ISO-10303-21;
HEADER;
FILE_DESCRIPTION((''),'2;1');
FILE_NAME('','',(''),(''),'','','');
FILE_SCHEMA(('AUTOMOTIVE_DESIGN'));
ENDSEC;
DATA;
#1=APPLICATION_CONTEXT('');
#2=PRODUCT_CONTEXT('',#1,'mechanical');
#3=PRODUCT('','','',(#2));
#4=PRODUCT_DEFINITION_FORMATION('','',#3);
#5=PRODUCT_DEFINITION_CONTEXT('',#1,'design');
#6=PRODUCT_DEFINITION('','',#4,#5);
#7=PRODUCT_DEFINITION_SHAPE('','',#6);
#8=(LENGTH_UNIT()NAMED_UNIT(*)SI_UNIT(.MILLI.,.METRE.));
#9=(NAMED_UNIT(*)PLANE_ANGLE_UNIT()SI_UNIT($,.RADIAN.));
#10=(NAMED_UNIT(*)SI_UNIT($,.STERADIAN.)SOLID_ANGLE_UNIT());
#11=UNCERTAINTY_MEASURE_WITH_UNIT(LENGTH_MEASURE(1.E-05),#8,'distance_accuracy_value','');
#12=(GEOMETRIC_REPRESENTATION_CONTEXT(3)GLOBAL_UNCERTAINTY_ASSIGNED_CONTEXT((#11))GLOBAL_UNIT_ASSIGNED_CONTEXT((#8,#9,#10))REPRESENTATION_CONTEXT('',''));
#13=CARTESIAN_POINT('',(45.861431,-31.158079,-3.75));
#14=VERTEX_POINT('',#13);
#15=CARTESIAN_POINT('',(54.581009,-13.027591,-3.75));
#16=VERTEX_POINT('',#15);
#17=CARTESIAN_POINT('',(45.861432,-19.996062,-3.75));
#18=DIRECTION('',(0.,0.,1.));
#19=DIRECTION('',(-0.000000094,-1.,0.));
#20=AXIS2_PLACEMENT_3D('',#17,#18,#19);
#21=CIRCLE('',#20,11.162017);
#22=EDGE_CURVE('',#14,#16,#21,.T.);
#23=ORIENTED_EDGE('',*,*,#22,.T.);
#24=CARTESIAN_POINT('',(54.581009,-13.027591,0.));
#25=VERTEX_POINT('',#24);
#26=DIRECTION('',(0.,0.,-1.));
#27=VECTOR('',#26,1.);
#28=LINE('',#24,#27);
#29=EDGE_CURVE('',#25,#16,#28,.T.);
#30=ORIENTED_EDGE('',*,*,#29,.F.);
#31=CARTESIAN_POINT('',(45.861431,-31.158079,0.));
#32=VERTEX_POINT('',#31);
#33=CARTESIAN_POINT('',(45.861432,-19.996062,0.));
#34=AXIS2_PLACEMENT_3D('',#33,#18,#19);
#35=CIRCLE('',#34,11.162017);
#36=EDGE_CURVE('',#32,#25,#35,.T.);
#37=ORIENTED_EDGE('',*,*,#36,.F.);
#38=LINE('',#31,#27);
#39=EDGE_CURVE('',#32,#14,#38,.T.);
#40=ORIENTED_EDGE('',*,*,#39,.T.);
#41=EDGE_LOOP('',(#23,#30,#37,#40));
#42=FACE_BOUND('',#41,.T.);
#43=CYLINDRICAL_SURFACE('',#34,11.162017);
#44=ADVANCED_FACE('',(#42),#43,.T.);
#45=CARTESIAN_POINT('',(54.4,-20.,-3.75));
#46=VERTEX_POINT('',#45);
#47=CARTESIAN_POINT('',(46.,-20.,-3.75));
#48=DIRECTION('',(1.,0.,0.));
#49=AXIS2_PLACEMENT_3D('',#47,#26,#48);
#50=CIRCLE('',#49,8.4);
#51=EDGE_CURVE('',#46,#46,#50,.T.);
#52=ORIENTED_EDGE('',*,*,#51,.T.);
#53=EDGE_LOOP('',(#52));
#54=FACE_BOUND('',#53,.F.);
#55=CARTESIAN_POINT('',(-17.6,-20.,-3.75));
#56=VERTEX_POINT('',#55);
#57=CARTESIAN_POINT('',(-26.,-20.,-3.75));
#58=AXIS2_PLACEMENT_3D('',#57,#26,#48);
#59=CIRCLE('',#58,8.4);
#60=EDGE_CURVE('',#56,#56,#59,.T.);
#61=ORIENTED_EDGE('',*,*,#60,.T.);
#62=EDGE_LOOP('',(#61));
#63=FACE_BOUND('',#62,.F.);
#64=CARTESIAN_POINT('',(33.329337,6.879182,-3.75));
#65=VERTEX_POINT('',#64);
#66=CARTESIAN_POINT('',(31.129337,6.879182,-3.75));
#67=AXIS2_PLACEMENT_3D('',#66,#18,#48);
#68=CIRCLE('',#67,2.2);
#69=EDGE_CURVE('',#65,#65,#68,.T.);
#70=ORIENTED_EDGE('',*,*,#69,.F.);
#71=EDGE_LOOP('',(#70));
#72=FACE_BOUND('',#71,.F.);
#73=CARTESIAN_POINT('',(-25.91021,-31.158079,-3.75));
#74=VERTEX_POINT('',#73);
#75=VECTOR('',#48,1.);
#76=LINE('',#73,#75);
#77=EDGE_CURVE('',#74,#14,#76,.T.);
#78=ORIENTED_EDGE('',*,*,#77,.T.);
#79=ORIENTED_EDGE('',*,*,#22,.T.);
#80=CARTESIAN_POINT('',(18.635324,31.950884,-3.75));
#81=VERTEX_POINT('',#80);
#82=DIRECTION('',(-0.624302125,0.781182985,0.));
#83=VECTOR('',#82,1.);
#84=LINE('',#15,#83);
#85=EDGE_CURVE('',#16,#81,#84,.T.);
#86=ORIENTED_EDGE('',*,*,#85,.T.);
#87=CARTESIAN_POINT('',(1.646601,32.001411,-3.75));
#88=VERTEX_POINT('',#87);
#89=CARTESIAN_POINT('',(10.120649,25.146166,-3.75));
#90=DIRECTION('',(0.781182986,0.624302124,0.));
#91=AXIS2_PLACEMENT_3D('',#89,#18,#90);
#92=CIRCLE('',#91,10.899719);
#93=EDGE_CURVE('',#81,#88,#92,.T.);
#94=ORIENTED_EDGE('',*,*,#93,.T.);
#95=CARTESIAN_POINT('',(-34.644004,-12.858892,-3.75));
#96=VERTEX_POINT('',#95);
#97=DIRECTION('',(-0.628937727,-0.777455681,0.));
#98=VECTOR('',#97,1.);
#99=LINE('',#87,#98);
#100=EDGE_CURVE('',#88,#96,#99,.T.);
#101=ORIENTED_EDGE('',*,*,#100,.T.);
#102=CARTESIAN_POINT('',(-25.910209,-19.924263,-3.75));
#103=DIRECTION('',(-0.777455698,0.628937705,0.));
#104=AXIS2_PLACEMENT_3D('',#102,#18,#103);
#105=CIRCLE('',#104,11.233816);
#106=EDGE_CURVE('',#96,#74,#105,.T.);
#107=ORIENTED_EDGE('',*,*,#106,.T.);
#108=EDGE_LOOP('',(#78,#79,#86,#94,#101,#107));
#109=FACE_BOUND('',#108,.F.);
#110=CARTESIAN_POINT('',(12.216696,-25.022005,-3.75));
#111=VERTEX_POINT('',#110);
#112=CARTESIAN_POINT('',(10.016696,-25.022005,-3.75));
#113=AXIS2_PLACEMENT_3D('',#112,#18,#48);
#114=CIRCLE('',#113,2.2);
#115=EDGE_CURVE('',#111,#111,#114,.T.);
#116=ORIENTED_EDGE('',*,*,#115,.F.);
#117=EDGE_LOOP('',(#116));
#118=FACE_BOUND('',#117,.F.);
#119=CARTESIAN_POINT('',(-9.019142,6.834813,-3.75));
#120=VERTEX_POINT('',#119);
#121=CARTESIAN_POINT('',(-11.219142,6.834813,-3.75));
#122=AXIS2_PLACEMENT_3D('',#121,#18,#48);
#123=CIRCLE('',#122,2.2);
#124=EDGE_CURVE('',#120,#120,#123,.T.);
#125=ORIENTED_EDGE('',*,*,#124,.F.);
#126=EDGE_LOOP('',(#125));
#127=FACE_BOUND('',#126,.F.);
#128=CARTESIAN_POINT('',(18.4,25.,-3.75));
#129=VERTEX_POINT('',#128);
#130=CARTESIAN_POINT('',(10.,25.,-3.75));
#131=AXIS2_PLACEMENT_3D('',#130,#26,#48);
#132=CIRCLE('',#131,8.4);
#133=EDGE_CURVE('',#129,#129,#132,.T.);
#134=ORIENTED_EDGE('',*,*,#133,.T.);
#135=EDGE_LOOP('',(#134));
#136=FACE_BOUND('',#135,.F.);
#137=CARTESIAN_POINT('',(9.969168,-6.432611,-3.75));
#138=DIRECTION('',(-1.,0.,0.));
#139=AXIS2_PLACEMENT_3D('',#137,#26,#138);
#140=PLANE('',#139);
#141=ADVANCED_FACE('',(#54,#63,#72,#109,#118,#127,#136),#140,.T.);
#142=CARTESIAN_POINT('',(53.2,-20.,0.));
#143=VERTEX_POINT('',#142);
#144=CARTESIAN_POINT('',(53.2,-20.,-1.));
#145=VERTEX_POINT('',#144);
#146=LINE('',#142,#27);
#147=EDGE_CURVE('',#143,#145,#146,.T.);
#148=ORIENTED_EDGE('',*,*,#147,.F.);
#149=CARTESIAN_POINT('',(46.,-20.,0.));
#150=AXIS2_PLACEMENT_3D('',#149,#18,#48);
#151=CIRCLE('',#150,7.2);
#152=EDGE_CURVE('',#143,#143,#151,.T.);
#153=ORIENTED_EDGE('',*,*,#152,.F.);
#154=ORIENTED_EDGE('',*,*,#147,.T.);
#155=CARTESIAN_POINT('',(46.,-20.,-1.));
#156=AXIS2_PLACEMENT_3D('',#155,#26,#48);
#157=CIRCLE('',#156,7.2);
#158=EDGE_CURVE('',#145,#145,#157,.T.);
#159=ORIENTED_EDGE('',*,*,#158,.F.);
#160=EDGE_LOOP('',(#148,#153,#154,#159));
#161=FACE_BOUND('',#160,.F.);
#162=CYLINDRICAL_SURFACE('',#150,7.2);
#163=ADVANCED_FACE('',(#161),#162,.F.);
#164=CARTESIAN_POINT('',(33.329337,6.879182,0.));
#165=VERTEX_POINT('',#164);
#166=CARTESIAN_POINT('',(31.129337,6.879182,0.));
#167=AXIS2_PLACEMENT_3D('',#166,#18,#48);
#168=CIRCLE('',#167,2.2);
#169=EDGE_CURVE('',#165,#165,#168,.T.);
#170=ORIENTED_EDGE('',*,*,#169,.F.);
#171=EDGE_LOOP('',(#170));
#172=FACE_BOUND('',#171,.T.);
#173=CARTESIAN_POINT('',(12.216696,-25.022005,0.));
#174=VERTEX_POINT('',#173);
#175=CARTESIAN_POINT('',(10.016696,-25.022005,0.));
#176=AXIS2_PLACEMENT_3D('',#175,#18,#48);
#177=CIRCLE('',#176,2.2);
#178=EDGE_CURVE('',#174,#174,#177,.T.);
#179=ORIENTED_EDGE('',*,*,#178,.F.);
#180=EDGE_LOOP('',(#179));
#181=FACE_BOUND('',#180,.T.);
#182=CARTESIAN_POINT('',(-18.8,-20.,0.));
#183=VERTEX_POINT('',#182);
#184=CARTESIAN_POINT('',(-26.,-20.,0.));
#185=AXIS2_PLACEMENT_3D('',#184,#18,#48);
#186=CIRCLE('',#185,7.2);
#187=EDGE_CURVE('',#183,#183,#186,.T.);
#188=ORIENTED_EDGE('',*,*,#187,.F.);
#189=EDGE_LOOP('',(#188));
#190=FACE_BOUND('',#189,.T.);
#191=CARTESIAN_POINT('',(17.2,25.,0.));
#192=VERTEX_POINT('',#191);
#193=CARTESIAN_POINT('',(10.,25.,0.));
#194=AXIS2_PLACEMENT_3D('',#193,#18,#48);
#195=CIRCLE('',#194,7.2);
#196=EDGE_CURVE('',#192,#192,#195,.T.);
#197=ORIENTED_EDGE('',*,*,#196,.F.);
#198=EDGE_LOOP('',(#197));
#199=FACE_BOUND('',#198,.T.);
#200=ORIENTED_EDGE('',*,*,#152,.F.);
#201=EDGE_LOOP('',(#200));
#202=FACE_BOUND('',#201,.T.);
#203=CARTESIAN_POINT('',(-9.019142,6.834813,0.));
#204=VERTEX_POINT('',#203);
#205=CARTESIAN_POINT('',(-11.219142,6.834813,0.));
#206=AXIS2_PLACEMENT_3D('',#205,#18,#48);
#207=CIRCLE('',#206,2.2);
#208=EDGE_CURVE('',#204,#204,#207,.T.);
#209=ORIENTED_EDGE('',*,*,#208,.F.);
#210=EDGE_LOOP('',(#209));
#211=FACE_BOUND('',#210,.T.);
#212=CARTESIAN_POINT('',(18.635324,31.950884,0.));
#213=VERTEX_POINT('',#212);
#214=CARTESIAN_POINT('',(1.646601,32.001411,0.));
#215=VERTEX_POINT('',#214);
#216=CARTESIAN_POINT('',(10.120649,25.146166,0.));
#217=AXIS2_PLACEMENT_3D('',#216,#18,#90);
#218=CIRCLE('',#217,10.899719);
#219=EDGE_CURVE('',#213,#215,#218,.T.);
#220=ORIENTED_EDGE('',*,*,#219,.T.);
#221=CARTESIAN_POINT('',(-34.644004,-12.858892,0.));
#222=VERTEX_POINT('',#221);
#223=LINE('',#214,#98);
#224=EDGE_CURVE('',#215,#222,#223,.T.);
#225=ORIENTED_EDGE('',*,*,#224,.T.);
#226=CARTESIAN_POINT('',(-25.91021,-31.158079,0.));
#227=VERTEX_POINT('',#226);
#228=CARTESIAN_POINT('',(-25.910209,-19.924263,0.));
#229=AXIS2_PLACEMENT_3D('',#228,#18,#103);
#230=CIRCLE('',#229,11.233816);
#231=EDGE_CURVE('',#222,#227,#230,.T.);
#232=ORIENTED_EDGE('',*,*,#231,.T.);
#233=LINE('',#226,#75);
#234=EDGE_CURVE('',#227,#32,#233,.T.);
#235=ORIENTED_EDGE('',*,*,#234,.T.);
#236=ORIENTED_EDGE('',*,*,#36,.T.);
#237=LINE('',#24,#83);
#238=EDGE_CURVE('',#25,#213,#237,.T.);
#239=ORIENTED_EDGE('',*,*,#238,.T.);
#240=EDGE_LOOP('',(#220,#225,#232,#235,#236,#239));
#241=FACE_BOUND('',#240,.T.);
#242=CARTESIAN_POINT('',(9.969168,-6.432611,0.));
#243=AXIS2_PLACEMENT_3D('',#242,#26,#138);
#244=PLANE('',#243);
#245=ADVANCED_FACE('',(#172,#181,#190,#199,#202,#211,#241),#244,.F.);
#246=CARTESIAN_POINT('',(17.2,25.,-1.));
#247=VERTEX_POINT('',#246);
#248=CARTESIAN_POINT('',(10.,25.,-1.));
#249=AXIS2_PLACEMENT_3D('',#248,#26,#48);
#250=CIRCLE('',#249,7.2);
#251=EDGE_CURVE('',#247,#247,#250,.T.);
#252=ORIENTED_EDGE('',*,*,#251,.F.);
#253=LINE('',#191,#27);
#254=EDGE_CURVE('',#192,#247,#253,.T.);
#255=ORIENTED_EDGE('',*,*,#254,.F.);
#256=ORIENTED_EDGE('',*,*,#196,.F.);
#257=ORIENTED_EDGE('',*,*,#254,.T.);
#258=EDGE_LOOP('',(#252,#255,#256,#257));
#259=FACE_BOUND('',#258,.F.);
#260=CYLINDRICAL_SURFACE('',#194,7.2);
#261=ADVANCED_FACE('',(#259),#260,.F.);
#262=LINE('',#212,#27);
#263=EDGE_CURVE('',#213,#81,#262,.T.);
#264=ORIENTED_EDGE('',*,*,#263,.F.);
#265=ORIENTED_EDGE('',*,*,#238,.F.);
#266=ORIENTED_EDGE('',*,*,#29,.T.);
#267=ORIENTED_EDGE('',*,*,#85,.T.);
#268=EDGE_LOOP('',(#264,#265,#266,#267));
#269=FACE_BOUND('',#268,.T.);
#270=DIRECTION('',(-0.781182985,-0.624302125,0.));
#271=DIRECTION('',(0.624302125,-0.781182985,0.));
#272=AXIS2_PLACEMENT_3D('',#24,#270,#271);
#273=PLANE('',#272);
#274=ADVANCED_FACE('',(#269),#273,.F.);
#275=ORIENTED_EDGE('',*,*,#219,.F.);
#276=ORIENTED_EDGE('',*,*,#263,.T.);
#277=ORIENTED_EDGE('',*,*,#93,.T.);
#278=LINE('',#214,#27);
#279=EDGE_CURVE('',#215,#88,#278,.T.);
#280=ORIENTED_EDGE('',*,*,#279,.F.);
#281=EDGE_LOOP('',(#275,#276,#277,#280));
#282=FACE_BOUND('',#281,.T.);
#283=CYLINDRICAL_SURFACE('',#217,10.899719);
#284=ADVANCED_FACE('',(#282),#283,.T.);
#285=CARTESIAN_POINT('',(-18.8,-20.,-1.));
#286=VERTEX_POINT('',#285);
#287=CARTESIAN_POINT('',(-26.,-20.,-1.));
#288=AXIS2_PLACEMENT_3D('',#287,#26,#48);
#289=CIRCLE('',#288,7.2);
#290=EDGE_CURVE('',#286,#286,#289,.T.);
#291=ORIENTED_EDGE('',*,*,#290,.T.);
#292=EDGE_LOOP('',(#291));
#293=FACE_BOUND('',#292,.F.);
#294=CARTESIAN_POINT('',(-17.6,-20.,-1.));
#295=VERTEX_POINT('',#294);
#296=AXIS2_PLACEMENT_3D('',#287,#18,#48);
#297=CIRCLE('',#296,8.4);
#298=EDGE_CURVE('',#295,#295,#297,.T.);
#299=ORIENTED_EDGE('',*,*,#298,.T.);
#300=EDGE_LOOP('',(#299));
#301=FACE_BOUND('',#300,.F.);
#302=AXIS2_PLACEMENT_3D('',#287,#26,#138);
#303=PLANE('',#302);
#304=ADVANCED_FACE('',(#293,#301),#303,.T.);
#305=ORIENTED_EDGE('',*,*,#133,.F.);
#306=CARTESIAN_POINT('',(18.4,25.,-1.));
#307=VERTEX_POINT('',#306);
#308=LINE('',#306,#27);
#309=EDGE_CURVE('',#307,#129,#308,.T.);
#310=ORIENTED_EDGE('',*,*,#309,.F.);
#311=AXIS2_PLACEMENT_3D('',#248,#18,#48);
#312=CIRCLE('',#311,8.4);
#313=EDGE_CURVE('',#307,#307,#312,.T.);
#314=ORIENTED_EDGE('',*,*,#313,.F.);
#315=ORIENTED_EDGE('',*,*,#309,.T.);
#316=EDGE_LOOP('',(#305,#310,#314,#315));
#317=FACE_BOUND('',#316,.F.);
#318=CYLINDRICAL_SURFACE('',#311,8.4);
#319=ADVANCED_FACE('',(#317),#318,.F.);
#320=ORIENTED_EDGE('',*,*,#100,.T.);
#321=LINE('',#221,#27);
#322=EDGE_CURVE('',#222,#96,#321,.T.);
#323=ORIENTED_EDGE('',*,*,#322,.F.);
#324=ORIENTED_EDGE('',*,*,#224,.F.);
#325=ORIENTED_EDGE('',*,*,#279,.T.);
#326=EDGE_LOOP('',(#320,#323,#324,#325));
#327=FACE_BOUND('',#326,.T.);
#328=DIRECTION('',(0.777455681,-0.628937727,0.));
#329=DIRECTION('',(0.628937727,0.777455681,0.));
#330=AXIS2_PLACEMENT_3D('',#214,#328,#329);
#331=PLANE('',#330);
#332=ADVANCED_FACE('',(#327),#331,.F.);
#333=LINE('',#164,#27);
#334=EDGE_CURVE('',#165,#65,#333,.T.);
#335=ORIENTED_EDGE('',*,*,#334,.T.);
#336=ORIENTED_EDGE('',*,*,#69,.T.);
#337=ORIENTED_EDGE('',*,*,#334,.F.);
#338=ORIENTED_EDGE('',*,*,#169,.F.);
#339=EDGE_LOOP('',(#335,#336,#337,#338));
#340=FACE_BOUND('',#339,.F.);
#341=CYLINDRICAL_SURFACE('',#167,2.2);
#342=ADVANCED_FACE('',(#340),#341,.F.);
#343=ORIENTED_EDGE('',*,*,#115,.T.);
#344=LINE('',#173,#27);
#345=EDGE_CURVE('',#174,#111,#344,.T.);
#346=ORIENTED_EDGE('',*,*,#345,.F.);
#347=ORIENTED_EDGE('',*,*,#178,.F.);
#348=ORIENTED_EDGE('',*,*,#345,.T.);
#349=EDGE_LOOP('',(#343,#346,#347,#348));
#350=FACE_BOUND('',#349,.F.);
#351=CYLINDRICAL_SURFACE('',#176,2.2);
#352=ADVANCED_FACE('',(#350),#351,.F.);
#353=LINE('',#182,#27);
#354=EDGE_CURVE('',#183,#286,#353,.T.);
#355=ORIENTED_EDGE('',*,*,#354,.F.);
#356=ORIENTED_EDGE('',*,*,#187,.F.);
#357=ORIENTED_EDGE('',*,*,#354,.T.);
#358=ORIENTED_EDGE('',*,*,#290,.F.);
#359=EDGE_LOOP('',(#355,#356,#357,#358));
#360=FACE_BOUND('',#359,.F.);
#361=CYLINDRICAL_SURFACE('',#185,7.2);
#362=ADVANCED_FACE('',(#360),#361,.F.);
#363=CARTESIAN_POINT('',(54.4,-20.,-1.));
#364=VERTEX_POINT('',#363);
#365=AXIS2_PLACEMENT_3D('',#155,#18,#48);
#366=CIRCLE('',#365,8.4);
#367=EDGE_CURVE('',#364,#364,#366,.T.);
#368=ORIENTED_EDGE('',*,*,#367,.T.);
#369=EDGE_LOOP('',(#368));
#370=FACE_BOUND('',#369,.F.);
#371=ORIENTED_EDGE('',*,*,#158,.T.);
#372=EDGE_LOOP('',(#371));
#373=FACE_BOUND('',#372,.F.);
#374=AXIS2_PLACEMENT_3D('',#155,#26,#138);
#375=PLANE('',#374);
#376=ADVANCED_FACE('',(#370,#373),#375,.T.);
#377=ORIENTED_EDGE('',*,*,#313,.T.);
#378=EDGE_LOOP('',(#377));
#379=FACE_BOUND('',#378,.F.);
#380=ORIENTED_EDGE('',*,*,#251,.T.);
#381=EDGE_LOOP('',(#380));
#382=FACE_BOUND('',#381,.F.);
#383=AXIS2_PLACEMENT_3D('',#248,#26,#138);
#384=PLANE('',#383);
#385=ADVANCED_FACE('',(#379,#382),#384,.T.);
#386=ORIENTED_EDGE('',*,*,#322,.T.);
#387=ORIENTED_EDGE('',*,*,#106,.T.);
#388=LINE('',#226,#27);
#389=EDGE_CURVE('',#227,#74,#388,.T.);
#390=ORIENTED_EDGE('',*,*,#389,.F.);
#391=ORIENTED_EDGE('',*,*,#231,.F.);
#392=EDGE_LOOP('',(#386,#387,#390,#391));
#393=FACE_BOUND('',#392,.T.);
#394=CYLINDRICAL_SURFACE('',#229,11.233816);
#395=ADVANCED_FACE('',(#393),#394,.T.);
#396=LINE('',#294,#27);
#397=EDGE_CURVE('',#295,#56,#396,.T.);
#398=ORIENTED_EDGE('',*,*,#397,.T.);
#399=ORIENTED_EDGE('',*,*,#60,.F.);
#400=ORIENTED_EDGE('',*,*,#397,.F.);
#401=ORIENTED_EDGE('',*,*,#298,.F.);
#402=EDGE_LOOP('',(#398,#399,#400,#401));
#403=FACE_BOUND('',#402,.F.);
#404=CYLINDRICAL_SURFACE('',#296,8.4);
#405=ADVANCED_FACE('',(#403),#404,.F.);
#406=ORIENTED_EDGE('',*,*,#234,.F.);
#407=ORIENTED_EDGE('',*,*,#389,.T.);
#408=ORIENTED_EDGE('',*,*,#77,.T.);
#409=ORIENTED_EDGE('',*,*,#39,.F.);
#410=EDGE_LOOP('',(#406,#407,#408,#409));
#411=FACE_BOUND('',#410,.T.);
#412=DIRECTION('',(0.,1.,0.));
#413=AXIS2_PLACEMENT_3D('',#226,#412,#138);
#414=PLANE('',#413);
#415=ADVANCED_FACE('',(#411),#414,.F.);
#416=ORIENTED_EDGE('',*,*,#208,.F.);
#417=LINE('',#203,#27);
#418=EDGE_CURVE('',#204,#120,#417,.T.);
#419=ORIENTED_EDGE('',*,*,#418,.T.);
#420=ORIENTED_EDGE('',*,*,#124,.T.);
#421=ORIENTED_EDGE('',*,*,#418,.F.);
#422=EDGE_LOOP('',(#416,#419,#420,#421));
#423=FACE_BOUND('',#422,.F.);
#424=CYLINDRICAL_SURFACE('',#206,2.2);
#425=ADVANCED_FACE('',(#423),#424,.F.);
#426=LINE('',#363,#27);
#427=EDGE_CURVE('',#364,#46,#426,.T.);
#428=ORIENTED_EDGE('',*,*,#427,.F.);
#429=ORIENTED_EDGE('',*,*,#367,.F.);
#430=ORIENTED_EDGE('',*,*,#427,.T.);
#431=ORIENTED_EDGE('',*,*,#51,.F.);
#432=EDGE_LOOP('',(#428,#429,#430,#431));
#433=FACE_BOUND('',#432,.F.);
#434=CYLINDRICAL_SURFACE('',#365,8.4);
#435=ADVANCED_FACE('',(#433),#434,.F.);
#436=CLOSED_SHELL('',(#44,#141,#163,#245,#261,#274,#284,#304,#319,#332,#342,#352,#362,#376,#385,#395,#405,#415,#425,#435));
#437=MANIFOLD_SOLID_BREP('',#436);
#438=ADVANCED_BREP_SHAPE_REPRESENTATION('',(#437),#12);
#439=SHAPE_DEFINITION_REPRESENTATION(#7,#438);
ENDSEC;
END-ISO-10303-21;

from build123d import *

# Parameters (mm, degrees)
CYLINDER001_R     = 8.4
CYLINDER001_DEPTH = 5.5
CYLINDER004_R     = 7.2
CYLINDER004_DEPTH = 6.5
CYLINDER003_R     = 10.4
CYLINDER003_DEPTH = 1
CYLINDER002_R     = 10.4
CYLINDER002_DEPTH = 2.75
SKETCH013_R       = 9.6
SKETCH013_R_2     = 2.2
PAD011_DEPTH      = 3.75


with BuildPart() as bearing_holder_extract:
    # Cylinder001 → Cylinder001 (new body)
    with BuildSketch(Plane.XY):
        Circle(CYLINDER001_R)
    extrude(amount=CYLINDER001_DEPTH)


with BuildPart() as bearing_holder_extract_fusion:
    # Cylinder004 → Cylinder004 (new body)
    with BuildSketch(Plane.XY.offset(-1)):
        Circle(CYLINDER004_R)
    extrude(amount=CYLINDER004_DEPTH)

    # Fusion001: union bearing holder extract
    add(bearing_holder_extract.part)


with BuildPart() as bearing_holder_disk:
    # Cylinder003 → Cylinder003 (new body)
    with BuildSketch(Plane.XY.offset(-1)):
        Circle(CYLINDER003_R)
    extrude(amount=CYLINDER003_DEPTH)


with BuildPart() as bearing_holder_body:
    # Cylinder002 → Cylinder002 (new body)
    with BuildSketch(Plane.XY):
        Circle(CYLINDER002_R)
    extrude(amount=CYLINDER002_DEPTH)

    # Fusion002: union bearing holder disk
    add(bearing_holder_disk.part)

    # Cut003: cut bearing holder extract fusion
    add(bearing_holder_extract_fusion.part, mode=Mode.SUBTRACT)


with BuildPart() as bearing_holder_body_1:
    # Cut003 placement: moved
    add(bearing_holder_body.part.moved(Location((0, 0, 1))))


with BuildPart() as bearing_holder_body_clone:
    # Body009 base: copy of bearing holder body
    add(bearing_holder_body_1.part)


with BuildPart() as bearing_holder_body_clone_1:
    # Clone002 placement: moved
    add(bearing_holder_body_clone.part.moved(Location((0, 0, -1))))


with BuildPart() as bearing_holder_body_clone_2:
    # Body009 placement: moved
    add(bearing_holder_body_clone_1.part.moved(Location((10, 25, 1))))


with BuildPart() as bearing_holder_body_clone001:
    # Body010 base: copy of bearing holder body
    add(bearing_holder_body_1.part)


with BuildPart() as bearing_holder_body_clone001_1:
    # Clone003 placement: moved
    add(bearing_holder_body_clone001.part.moved(Location((0, 0, -1))))


with BuildPart() as bearing_holder_body_clone001_2:
    # Body010 placement: moved
    add(bearing_holder_body_clone001_1.part.moved(Location((-26, -20, 1))))


with BuildPart() as bearing_holder_body_clone002:
    # Body011 base: copy of bearing holder body
    add(bearing_holder_body_1.part)


with BuildPart() as bearing_holder_body_clone002_1:
    # Clone004 placement: moved
    add(bearing_holder_body_clone002.part.moved(Location((0, 0, -1))))


with BuildPart() as bearing_holder_body_clone002_2:
    # Body011 placement: moved
    add(bearing_holder_body_clone002_1.part.moved(Location((46, -20, 1))))


with BuildPart() as top_bearing_plate_fusion:
    # Sketch013 → Pad011 (new body)
    with BuildSketch(Plane.XY):
        with BuildLine():
            Line((1.646601, 32.001411), (-34.644004, -12.858892))
            ThreePointArc((-34.644004, -12.858892), (-36.048496, -24.763041), (-25.91021, -31.158079))
            Line((-25.91021, -31.158079), (45.861431, -31.158079))
            ThreePointArc((45.861431, -31.158079), (55.920577, -24.833853), (54.581009, -13.027591))
            Line((54.581009, -13.027591), (18.635324, 31.950884))
            ThreePointArc((18.635324, 31.950884), (10.153066, 36.045837), (1.646601, 32.001411))
        make_face()
        with Locations((-25.91021, -19.924263)):
            Circle(SKETCH013_R, mode=Mode.SUBTRACT)
        with Locations((10.120649, 25.146166)):
            Circle(SKETCH013_R, mode=Mode.SUBTRACT)
        with Locations((45.861431, -19.996062)):
            Circle(SKETCH013_R, mode=Mode.SUBTRACT)
        with Locations((-11.219142, 6.834813)):
            Circle(SKETCH013_R_2, mode=Mode.SUBTRACT)
        with Locations((10.016696, -25.022005)):
            Circle(SKETCH013_R_2, mode=Mode.SUBTRACT)
        with Locations((31.129337, 6.879182)):
            Circle(SKETCH013_R_2, mode=Mode.SUBTRACT)
    extrude(amount=PAD011_DEPTH)

    # Fusion003: union bearing holder body clone, bearing holder body clone001, bearing holder body clone002
    add(bearing_holder_body_clone_2.part)
    add(bearing_holder_body_clone001_2.part)
    add(bearing_holder_body_clone002_2.part)


with BuildPart() as part_mirroring001:
    # Part__Mirroring001: instance of top bearing plate fusion
    add(top_bearing_plate_fusion.part.mirror(Plane(origin=(0, 0, 0), x_dir=(0, 1, 0), z_dir=(0, 0, 1))))


solid = part_mirroring001.part
